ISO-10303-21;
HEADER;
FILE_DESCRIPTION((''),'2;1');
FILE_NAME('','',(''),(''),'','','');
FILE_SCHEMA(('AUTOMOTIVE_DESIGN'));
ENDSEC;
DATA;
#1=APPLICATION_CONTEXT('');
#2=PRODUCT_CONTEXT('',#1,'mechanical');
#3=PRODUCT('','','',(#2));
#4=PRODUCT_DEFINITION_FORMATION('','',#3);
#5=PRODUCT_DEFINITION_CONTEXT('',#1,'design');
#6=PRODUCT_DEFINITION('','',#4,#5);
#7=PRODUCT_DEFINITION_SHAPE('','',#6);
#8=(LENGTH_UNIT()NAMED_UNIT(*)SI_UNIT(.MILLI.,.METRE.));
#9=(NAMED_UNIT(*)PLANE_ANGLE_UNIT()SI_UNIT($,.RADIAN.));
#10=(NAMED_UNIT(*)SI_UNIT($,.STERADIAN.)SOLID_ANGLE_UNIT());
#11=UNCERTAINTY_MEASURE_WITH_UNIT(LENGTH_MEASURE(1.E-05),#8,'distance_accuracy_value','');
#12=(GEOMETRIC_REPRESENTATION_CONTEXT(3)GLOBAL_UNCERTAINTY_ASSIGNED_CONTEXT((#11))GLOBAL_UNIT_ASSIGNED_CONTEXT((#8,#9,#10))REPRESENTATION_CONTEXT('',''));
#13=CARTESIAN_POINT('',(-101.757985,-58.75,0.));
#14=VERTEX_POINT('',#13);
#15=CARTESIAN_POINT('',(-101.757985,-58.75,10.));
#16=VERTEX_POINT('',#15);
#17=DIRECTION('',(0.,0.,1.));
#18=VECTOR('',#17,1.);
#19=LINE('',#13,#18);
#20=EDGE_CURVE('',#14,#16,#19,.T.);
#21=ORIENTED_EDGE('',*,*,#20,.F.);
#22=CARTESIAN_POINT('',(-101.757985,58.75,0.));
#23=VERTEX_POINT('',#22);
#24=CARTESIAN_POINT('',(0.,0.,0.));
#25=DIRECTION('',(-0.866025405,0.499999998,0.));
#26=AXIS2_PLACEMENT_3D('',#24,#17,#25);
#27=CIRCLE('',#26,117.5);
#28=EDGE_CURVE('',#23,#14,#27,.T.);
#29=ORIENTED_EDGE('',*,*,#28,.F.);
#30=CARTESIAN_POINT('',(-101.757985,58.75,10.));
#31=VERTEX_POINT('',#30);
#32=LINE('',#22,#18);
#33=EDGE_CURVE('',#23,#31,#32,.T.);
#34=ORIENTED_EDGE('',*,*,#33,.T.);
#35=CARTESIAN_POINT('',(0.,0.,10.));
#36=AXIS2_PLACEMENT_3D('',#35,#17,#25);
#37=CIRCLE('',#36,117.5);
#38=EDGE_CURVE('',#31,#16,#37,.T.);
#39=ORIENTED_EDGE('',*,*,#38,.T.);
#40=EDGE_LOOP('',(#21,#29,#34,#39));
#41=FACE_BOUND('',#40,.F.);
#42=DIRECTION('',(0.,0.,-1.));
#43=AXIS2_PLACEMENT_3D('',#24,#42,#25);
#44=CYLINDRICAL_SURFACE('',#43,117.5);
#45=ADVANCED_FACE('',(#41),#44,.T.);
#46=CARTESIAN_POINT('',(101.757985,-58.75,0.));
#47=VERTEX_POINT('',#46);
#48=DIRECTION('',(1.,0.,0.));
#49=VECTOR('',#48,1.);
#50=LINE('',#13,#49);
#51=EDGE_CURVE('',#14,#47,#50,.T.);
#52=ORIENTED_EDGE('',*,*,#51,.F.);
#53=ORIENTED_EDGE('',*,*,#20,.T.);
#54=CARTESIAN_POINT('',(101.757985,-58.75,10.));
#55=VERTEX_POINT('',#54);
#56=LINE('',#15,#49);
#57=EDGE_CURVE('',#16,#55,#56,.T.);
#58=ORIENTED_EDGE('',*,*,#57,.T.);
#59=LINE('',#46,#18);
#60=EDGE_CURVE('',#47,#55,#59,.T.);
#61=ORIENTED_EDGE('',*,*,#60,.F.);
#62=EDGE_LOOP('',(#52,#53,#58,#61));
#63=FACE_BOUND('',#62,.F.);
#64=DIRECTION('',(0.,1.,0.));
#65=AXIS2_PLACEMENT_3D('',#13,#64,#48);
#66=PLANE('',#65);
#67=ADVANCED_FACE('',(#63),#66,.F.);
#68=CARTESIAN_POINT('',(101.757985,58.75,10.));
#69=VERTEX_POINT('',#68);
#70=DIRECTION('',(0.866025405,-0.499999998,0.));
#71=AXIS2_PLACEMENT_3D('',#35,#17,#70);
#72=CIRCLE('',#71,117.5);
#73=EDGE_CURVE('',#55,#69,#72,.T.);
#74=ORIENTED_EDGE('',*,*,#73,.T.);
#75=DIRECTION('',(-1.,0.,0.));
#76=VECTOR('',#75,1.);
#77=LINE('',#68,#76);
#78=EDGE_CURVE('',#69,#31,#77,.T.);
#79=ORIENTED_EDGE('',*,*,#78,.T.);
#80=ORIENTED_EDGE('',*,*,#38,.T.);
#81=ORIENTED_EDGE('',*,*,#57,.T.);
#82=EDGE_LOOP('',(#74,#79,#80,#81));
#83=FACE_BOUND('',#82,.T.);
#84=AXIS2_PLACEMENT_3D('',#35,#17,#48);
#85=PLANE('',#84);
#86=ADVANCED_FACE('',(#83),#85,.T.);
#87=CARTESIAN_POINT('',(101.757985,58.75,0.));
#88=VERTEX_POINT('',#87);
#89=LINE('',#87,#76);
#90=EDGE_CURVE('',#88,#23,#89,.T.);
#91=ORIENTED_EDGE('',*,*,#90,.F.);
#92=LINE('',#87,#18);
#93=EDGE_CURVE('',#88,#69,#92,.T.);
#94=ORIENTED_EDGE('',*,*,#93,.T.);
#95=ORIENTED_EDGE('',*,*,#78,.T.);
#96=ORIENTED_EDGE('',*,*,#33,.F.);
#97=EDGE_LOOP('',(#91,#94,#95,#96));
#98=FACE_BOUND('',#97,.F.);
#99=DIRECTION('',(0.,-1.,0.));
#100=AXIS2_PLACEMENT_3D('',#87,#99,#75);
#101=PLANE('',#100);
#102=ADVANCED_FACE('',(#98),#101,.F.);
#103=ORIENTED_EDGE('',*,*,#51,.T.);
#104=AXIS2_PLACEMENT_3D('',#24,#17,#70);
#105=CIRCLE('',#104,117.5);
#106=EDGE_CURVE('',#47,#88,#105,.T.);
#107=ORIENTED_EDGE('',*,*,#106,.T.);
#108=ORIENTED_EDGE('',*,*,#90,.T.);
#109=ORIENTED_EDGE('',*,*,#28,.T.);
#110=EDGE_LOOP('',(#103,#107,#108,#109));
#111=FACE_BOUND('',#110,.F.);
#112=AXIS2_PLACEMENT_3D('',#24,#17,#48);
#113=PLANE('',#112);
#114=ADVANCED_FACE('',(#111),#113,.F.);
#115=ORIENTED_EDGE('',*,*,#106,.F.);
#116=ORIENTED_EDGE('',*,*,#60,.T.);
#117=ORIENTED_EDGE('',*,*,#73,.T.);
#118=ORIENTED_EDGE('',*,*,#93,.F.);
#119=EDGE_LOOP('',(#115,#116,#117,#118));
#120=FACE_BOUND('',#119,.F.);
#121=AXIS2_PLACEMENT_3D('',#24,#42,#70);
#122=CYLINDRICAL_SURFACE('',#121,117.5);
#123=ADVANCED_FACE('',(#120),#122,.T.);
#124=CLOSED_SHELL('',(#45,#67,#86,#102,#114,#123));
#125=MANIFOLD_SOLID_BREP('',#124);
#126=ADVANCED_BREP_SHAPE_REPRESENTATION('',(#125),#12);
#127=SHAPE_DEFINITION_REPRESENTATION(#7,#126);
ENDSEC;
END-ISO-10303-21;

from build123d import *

# Parameters (mm, degrees)
F1_DEPTH = 10


with BuildPart() as f1:
    # F0 (on Top) → F1 (new body)
    with BuildSketch(Plane.XY):
        with BuildLine():
            Line((0, 58.75), (-101.757985, 58.75))
            ThreePointArc((-101.757985, 58.75), (-117.5, 0), (-101.757985, -58.75))
            Line((-101.757985, -58.75), (0, -58.75))
            Line((0, -58.75), (101.757985, -58.75))
            ThreePointArc((101.757985, -58.75), (117.5, 0), (101.757985, 58.75))
            Line((101.757985, 58.75), (0, 58.75))
        make_face()
    extrude(amount=F1_DEPTH)


solid = f1.part
